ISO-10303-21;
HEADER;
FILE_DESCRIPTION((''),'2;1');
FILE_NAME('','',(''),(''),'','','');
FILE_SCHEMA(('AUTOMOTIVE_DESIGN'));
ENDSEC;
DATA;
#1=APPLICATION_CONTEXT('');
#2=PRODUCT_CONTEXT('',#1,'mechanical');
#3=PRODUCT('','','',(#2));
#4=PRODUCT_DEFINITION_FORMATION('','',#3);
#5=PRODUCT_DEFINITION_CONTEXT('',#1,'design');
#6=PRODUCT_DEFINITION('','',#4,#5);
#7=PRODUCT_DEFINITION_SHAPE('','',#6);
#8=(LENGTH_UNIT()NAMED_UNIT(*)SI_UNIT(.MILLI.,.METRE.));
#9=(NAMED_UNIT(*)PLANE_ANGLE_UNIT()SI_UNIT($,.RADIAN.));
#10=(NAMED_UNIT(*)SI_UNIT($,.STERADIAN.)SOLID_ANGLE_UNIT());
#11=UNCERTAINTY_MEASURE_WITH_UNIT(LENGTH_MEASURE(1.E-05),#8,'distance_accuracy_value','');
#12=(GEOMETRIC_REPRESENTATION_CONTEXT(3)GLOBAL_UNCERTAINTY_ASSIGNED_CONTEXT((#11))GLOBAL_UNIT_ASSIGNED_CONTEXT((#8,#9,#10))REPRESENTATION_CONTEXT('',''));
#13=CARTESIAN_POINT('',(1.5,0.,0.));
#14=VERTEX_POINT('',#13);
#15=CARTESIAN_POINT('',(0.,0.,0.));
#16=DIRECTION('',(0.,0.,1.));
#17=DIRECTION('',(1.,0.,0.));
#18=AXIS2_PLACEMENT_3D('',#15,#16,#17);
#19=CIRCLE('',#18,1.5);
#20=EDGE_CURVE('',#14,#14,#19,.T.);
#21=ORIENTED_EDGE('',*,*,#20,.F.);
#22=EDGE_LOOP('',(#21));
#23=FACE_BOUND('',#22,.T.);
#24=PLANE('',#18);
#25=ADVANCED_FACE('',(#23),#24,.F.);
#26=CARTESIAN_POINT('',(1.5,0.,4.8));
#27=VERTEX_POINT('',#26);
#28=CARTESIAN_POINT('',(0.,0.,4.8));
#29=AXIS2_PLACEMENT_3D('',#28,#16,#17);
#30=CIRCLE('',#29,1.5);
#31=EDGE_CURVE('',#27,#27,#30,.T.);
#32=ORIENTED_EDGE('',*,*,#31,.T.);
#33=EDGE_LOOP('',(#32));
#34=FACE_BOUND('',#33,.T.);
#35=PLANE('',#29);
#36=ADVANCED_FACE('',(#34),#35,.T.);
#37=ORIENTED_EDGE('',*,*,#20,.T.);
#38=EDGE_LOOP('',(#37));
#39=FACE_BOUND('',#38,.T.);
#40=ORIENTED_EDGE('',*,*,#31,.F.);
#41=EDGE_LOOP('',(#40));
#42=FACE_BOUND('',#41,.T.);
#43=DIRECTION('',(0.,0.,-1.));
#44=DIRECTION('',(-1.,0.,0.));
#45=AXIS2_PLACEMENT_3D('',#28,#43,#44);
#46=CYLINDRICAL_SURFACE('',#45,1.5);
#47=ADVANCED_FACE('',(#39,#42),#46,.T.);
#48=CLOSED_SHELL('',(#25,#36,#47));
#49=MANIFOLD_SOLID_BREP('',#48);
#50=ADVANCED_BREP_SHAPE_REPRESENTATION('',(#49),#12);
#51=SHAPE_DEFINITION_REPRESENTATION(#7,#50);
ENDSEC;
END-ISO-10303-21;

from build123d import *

# Parameters (mm, degrees)
SKETCH_1_R      = 1.5
EXTRUDE_1_DEPTH = 4.8


with BuildPart() as part:
    # 草图1 → 凸台-拉伸1 (new body)
    with BuildSketch(Plane.XY):
        Circle(SKETCH_1_R)
    extrude(amount=EXTRUDE_1_DEPTH)


solid = part.part
